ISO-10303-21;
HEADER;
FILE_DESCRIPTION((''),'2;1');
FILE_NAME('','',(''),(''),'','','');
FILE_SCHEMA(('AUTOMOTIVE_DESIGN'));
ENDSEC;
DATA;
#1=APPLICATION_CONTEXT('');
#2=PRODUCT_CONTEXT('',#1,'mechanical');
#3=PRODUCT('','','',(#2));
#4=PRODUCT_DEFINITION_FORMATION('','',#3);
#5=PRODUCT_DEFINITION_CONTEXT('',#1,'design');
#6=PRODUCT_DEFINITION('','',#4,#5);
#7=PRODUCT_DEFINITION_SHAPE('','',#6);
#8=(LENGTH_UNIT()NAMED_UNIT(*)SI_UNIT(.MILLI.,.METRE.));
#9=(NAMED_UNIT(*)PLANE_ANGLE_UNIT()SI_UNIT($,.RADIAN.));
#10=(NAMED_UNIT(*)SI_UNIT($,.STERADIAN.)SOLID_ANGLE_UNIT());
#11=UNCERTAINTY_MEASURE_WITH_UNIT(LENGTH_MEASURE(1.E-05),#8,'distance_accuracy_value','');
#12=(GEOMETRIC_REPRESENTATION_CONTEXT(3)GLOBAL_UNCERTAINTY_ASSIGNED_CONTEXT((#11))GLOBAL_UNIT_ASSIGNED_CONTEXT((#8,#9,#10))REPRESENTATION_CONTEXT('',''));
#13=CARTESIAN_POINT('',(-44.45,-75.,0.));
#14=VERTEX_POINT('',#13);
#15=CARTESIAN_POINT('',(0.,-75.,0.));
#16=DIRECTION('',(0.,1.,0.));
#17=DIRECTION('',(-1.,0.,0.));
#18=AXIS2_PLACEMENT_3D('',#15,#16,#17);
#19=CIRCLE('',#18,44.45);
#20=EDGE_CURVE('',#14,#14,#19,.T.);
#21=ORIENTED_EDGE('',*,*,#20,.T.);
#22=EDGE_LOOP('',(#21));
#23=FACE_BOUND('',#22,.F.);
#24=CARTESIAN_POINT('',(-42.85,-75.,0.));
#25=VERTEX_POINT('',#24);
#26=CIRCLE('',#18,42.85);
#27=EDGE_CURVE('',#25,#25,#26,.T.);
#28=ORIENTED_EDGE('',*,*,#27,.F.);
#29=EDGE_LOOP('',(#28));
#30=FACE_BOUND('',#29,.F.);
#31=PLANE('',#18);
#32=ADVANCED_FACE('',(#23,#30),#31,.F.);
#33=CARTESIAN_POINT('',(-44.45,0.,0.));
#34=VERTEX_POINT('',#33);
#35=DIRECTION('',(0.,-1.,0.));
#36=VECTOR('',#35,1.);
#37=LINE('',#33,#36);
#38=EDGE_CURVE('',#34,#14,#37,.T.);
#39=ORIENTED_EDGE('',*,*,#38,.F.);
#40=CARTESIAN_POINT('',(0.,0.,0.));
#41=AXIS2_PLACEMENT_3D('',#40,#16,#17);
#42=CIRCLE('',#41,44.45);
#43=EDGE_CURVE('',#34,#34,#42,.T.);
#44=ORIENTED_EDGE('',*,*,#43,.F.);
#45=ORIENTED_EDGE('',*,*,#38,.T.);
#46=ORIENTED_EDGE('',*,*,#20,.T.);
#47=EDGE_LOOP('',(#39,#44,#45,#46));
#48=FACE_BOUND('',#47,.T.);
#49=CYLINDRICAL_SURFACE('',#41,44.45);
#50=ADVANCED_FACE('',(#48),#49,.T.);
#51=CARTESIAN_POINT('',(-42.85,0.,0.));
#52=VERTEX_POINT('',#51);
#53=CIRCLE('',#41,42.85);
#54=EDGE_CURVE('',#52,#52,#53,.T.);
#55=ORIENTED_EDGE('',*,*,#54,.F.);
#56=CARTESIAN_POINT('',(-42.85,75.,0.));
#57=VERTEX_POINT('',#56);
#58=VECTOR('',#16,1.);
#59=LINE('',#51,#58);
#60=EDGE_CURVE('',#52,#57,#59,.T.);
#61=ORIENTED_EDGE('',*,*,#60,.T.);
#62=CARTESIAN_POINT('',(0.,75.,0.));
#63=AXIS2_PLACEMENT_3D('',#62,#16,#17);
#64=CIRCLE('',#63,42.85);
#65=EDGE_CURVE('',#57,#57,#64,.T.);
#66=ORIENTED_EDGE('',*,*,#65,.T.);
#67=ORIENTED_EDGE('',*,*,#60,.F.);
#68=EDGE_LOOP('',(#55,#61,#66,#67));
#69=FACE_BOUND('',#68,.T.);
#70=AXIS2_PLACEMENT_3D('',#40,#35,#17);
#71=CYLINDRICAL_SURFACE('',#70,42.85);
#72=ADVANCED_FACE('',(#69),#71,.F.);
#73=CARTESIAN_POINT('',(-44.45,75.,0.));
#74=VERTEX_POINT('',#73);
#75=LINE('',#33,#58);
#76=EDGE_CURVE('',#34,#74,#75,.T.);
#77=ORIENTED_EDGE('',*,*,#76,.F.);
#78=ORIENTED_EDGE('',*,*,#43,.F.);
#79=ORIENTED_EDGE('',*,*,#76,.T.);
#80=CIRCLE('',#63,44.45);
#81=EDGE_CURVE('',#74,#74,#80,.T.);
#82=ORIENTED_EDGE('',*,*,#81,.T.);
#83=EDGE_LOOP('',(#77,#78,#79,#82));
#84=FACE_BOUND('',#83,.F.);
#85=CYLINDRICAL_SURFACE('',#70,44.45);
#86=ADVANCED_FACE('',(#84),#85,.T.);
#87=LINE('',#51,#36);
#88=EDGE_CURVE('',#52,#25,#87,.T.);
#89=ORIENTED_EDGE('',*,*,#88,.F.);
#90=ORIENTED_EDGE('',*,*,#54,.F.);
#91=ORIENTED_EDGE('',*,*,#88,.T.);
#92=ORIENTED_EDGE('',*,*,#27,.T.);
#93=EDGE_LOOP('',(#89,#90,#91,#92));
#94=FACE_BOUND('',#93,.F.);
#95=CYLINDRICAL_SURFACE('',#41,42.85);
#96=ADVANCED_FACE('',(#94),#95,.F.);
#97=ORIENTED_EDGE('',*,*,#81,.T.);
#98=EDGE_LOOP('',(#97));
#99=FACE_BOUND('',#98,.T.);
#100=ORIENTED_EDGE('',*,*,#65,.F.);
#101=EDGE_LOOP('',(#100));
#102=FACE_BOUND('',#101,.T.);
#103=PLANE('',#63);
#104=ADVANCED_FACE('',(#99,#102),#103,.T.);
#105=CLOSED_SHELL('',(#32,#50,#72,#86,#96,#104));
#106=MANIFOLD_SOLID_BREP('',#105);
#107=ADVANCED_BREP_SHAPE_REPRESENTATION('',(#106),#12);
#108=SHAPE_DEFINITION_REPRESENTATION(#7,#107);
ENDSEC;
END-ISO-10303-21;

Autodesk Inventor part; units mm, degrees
ref_plane "YZ Plane" through (0, 0, 0) normal (1, 0, 0) x (0, 1, 0)
ref_plane "XZ Plane" through (0, 0, 0) normal (0, 1, 0) x (-1, 0, 0)
ref_plane "XY Plane" through (0, 0, 0) normal (0, 0, 1) x (1, 0, 0)
sketch "Sketch2" plane through (0, 0, 0) normal (0, 1, 0) x (-1, 0, 0)
  circle A0 centre (0, 0) radius 44.45
  circle A1 centre (0, 0) radius 42.85
  dimension "d0" = 88.9
  dimension "d1" = 1.6
extrude "Extrusion1" add sketch "Sketch2" along normal mid plane 150
properties part number "Chassis" material "Aluminum 6061"
